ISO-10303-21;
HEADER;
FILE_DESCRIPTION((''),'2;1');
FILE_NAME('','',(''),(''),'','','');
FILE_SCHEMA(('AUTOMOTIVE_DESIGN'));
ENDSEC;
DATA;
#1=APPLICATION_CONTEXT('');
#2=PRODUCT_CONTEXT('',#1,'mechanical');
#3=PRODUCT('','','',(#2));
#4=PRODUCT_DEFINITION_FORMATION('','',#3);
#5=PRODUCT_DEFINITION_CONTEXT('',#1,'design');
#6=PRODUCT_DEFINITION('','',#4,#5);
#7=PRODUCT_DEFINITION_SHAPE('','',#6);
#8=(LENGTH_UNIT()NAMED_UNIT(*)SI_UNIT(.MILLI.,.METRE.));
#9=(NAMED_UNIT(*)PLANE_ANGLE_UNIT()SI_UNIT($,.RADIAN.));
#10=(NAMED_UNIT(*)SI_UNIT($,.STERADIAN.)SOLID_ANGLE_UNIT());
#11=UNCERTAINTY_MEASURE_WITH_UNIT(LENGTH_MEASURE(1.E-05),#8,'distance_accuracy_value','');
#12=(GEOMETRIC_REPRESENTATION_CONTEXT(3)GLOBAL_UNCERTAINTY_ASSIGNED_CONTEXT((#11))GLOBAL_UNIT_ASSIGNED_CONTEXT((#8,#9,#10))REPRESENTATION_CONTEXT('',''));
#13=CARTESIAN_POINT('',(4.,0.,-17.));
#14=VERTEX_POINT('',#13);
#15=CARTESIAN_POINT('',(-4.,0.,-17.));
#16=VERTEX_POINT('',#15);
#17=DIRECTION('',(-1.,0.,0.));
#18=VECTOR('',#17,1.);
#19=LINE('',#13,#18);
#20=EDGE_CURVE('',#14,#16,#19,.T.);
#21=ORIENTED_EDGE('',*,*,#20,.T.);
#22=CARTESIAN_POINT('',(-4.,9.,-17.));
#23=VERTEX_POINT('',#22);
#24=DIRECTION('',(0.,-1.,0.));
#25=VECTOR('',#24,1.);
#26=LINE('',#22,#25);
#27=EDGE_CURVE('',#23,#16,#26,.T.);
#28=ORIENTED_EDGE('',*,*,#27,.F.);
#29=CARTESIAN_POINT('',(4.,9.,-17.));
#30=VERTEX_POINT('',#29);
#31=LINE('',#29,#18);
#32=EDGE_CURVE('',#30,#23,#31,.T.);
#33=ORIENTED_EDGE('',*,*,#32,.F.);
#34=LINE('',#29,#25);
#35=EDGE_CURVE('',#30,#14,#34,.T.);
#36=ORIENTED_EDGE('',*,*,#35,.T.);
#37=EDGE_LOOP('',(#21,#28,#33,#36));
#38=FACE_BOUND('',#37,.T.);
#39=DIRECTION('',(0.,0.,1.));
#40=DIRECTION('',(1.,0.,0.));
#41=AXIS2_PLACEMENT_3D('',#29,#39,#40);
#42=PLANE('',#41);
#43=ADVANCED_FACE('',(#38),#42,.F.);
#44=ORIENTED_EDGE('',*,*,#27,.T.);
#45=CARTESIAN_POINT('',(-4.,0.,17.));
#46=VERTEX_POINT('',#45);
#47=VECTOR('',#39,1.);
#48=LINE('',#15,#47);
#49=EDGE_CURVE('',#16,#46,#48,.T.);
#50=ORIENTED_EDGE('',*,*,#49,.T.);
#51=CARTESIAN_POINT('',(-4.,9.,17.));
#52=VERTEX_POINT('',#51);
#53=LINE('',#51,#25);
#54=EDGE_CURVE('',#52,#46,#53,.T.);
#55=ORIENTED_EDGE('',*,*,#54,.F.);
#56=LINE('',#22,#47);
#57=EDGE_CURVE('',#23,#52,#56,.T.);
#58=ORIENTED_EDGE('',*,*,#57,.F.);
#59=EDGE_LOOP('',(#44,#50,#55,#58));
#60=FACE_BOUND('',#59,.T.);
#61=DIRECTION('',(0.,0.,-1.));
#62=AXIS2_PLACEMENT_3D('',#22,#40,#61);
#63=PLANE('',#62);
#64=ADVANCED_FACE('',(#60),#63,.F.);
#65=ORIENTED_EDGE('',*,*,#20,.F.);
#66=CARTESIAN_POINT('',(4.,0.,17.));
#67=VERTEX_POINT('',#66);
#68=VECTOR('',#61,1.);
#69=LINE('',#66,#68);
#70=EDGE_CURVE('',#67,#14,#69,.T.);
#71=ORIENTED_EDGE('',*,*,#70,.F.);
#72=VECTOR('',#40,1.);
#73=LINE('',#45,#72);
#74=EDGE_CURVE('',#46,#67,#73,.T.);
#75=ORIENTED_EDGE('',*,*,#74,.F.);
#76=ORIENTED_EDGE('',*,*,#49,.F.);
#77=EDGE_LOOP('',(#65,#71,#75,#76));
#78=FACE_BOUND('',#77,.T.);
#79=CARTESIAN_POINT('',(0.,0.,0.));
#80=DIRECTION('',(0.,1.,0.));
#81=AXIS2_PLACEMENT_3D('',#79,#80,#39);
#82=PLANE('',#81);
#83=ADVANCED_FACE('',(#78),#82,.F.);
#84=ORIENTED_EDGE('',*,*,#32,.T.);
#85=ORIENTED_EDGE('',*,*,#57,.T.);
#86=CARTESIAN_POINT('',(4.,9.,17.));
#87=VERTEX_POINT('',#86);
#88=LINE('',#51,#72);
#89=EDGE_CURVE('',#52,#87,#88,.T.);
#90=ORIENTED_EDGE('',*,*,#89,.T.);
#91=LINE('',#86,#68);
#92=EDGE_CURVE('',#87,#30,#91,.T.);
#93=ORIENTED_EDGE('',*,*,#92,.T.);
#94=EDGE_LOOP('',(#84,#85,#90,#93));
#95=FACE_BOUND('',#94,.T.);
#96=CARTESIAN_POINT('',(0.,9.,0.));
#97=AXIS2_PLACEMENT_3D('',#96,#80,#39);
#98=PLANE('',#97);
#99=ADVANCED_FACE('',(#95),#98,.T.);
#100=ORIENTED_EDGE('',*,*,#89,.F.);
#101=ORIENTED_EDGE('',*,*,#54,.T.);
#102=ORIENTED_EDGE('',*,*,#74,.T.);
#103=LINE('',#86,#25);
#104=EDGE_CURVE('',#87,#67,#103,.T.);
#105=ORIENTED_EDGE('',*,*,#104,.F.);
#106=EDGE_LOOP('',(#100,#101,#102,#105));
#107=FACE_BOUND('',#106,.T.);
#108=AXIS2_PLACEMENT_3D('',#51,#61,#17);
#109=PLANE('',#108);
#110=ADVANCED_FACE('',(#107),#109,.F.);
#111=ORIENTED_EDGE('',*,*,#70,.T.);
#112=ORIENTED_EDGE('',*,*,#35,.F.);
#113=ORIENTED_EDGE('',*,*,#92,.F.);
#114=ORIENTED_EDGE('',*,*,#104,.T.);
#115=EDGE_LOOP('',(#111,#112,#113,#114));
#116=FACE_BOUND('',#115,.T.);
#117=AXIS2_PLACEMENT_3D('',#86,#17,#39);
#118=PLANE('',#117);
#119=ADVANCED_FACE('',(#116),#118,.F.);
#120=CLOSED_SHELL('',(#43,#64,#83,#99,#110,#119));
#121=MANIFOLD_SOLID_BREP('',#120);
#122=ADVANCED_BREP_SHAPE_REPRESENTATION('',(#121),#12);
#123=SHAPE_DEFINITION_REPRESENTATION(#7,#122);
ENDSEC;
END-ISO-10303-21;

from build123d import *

# Parameters (mm, degrees)
SK_P01_XT60MATED_W  = 8
SK_P01_XT60MATED_H  = 34
P01_XT60MATED_DEPTH = 9


with BuildPart() as part:
    # SK_P01_XT60mated → P01_XT60mated (new body)
    with BuildSketch(Plane(origin=(0, 0, 0), x_dir=(1, 0, 0), z_dir=(0, 1, 0))):
        Rectangle(SK_P01_XT60MATED_W, SK_P01_XT60MATED_H)
    extrude(amount=P01_XT60MATED_DEPTH)


solid = part.part
